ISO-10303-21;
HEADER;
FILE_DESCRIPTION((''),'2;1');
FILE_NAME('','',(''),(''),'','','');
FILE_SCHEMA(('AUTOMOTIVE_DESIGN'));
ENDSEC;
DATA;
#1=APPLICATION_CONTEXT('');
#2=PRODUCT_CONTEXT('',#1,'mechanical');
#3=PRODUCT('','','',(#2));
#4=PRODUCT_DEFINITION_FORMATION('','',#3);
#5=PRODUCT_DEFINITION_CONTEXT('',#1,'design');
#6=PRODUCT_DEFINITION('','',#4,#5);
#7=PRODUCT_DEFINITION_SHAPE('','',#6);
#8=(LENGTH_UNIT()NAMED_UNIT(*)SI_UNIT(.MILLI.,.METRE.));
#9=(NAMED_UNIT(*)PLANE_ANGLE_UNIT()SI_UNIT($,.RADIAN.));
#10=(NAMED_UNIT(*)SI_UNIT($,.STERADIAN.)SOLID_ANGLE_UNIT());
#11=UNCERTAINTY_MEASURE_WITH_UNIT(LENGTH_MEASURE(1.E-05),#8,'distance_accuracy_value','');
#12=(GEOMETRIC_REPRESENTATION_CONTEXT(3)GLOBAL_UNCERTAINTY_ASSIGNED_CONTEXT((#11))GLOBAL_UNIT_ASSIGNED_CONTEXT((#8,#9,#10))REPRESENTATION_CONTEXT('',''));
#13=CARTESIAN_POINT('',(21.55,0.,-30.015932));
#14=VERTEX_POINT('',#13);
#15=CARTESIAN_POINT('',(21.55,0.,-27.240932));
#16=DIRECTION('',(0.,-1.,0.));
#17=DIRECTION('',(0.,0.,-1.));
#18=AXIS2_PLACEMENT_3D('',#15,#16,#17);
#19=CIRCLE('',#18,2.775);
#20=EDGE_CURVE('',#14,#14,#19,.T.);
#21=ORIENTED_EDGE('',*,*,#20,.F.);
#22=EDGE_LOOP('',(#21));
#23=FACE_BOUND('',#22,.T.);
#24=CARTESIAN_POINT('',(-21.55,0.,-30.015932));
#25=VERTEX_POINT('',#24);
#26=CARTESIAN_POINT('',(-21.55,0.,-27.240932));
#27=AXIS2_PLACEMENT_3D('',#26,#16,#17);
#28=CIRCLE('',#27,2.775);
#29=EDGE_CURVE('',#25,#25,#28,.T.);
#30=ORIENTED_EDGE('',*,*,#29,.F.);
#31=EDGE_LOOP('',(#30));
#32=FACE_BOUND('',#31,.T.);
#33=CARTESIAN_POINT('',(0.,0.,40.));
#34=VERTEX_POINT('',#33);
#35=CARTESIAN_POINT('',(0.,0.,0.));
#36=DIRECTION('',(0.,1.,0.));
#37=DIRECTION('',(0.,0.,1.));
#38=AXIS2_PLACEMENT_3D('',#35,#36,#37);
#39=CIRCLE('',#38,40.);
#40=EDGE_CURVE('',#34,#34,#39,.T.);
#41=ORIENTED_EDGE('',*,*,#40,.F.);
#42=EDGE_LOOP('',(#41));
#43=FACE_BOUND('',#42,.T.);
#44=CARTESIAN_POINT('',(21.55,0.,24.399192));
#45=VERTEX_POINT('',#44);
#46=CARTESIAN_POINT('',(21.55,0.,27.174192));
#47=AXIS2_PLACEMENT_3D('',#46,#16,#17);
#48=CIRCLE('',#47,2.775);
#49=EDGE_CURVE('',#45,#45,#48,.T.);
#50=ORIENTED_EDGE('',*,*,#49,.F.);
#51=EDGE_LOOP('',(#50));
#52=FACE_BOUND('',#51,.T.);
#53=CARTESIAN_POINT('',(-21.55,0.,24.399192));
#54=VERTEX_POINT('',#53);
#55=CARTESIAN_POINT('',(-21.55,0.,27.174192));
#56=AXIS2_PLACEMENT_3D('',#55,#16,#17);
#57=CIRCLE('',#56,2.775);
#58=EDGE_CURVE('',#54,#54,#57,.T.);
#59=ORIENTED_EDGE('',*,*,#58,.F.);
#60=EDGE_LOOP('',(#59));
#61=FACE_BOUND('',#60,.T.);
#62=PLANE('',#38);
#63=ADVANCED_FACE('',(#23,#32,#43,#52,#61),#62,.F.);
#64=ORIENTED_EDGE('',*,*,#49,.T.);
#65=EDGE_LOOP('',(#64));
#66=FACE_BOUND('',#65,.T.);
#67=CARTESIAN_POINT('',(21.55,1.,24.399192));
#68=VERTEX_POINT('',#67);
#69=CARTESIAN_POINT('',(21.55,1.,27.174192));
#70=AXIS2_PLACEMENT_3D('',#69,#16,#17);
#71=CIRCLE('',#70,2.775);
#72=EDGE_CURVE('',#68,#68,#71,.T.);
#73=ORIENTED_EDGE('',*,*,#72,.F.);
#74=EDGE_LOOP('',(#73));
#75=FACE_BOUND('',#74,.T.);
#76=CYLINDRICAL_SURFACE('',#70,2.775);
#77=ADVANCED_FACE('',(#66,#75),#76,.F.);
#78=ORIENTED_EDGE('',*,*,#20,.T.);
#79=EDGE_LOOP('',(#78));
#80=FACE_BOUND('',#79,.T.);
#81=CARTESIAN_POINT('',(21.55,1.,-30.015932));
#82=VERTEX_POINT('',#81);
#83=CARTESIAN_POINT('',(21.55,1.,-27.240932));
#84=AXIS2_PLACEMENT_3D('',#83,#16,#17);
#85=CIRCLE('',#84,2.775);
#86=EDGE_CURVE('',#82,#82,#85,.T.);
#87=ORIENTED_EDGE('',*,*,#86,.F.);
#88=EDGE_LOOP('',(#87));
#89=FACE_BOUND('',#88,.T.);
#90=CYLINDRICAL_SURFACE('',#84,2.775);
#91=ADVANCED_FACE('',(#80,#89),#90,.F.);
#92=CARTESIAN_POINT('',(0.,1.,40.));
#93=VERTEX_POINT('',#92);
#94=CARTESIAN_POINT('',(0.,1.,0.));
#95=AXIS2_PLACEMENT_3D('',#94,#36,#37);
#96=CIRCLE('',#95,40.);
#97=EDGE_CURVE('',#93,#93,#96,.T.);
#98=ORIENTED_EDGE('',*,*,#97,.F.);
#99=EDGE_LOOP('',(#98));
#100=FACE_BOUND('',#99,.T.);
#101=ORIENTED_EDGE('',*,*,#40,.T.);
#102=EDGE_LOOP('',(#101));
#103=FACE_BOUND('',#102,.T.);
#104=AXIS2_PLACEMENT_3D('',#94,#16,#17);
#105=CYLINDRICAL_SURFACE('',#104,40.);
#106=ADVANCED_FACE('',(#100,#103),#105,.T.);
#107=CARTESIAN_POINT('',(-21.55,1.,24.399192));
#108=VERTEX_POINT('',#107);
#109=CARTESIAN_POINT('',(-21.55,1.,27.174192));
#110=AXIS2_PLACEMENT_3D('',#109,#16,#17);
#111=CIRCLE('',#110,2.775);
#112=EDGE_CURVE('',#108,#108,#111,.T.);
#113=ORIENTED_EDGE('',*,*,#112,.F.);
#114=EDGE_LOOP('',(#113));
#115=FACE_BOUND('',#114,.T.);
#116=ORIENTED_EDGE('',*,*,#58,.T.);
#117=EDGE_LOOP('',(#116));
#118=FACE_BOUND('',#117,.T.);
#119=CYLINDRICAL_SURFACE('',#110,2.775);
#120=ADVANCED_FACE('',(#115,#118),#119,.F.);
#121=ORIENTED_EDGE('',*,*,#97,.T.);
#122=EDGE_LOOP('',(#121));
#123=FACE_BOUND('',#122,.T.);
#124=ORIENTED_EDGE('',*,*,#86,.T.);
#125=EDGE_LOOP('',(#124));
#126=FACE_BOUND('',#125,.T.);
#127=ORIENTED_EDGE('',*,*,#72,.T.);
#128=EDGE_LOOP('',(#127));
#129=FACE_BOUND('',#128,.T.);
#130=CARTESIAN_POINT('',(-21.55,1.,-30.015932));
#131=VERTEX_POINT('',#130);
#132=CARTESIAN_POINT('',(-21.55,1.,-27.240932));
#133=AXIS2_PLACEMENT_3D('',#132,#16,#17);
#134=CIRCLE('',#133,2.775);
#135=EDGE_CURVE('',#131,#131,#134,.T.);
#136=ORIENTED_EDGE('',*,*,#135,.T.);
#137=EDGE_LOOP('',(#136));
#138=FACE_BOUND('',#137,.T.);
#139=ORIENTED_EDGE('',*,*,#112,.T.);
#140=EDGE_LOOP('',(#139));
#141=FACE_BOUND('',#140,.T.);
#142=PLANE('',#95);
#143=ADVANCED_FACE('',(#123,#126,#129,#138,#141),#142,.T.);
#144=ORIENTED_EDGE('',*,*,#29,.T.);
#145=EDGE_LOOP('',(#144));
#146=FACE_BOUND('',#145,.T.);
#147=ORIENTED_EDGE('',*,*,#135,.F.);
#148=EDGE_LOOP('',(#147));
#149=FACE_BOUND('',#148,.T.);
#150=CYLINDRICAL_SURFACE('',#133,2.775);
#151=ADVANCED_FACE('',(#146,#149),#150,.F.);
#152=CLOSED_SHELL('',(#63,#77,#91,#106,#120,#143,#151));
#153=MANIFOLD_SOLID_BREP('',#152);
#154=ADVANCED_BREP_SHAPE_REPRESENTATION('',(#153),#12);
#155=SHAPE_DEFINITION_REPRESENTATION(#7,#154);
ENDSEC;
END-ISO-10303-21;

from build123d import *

# Parameters (mm, degrees)
SKETCH1_R           = 40
BOSS_EXTRUDE1_DEPTH = 1
SKETCH2_R           = 2.775
CUT_EXTRUDE4_DEPTH  = 57.577380639


with BuildPart() as part:
    # Sketch1 → Boss-Extrude1 (new body)
    with BuildSketch(Plane(origin=(0, 0, 0), x_dir=(1, 0, 0), z_dir=(0, 1, 0))):
        with Locations(Location((0, 0, 0), (0, 0, 270))):
            Circle(SKETCH1_R)
    extrude(amount=BOSS_EXTRUDE1_DEPTH)

    # Sketch2 → Cut-Extrude4 (cut, through all)
    with BuildSketch(Plane(origin=(0, 0, 0), x_dir=(-1, 0, 0), z_dir=(0, -1, 0))):
        with Locations(Location((21.55, -27.174191964, 0), (0, 0, 90))):
            Circle(SKETCH2_R)
        with Locations(Location((-21.55, -27.174191964, 0), (0, 0, 90))):
            Circle(SKETCH2_R)
        with Locations(Location((21.55, 27.240932193, 0), (0, 0, 90))):
            Circle(SKETCH2_R)
        with Locations(Location((-21.55, 27.240932193, 0), (0, 0, 90))):
            Circle(SKETCH2_R)
    extrude(amount=-CUT_EXTRUDE4_DEPTH, mode=Mode.SUBTRACT)


solid = part.part
